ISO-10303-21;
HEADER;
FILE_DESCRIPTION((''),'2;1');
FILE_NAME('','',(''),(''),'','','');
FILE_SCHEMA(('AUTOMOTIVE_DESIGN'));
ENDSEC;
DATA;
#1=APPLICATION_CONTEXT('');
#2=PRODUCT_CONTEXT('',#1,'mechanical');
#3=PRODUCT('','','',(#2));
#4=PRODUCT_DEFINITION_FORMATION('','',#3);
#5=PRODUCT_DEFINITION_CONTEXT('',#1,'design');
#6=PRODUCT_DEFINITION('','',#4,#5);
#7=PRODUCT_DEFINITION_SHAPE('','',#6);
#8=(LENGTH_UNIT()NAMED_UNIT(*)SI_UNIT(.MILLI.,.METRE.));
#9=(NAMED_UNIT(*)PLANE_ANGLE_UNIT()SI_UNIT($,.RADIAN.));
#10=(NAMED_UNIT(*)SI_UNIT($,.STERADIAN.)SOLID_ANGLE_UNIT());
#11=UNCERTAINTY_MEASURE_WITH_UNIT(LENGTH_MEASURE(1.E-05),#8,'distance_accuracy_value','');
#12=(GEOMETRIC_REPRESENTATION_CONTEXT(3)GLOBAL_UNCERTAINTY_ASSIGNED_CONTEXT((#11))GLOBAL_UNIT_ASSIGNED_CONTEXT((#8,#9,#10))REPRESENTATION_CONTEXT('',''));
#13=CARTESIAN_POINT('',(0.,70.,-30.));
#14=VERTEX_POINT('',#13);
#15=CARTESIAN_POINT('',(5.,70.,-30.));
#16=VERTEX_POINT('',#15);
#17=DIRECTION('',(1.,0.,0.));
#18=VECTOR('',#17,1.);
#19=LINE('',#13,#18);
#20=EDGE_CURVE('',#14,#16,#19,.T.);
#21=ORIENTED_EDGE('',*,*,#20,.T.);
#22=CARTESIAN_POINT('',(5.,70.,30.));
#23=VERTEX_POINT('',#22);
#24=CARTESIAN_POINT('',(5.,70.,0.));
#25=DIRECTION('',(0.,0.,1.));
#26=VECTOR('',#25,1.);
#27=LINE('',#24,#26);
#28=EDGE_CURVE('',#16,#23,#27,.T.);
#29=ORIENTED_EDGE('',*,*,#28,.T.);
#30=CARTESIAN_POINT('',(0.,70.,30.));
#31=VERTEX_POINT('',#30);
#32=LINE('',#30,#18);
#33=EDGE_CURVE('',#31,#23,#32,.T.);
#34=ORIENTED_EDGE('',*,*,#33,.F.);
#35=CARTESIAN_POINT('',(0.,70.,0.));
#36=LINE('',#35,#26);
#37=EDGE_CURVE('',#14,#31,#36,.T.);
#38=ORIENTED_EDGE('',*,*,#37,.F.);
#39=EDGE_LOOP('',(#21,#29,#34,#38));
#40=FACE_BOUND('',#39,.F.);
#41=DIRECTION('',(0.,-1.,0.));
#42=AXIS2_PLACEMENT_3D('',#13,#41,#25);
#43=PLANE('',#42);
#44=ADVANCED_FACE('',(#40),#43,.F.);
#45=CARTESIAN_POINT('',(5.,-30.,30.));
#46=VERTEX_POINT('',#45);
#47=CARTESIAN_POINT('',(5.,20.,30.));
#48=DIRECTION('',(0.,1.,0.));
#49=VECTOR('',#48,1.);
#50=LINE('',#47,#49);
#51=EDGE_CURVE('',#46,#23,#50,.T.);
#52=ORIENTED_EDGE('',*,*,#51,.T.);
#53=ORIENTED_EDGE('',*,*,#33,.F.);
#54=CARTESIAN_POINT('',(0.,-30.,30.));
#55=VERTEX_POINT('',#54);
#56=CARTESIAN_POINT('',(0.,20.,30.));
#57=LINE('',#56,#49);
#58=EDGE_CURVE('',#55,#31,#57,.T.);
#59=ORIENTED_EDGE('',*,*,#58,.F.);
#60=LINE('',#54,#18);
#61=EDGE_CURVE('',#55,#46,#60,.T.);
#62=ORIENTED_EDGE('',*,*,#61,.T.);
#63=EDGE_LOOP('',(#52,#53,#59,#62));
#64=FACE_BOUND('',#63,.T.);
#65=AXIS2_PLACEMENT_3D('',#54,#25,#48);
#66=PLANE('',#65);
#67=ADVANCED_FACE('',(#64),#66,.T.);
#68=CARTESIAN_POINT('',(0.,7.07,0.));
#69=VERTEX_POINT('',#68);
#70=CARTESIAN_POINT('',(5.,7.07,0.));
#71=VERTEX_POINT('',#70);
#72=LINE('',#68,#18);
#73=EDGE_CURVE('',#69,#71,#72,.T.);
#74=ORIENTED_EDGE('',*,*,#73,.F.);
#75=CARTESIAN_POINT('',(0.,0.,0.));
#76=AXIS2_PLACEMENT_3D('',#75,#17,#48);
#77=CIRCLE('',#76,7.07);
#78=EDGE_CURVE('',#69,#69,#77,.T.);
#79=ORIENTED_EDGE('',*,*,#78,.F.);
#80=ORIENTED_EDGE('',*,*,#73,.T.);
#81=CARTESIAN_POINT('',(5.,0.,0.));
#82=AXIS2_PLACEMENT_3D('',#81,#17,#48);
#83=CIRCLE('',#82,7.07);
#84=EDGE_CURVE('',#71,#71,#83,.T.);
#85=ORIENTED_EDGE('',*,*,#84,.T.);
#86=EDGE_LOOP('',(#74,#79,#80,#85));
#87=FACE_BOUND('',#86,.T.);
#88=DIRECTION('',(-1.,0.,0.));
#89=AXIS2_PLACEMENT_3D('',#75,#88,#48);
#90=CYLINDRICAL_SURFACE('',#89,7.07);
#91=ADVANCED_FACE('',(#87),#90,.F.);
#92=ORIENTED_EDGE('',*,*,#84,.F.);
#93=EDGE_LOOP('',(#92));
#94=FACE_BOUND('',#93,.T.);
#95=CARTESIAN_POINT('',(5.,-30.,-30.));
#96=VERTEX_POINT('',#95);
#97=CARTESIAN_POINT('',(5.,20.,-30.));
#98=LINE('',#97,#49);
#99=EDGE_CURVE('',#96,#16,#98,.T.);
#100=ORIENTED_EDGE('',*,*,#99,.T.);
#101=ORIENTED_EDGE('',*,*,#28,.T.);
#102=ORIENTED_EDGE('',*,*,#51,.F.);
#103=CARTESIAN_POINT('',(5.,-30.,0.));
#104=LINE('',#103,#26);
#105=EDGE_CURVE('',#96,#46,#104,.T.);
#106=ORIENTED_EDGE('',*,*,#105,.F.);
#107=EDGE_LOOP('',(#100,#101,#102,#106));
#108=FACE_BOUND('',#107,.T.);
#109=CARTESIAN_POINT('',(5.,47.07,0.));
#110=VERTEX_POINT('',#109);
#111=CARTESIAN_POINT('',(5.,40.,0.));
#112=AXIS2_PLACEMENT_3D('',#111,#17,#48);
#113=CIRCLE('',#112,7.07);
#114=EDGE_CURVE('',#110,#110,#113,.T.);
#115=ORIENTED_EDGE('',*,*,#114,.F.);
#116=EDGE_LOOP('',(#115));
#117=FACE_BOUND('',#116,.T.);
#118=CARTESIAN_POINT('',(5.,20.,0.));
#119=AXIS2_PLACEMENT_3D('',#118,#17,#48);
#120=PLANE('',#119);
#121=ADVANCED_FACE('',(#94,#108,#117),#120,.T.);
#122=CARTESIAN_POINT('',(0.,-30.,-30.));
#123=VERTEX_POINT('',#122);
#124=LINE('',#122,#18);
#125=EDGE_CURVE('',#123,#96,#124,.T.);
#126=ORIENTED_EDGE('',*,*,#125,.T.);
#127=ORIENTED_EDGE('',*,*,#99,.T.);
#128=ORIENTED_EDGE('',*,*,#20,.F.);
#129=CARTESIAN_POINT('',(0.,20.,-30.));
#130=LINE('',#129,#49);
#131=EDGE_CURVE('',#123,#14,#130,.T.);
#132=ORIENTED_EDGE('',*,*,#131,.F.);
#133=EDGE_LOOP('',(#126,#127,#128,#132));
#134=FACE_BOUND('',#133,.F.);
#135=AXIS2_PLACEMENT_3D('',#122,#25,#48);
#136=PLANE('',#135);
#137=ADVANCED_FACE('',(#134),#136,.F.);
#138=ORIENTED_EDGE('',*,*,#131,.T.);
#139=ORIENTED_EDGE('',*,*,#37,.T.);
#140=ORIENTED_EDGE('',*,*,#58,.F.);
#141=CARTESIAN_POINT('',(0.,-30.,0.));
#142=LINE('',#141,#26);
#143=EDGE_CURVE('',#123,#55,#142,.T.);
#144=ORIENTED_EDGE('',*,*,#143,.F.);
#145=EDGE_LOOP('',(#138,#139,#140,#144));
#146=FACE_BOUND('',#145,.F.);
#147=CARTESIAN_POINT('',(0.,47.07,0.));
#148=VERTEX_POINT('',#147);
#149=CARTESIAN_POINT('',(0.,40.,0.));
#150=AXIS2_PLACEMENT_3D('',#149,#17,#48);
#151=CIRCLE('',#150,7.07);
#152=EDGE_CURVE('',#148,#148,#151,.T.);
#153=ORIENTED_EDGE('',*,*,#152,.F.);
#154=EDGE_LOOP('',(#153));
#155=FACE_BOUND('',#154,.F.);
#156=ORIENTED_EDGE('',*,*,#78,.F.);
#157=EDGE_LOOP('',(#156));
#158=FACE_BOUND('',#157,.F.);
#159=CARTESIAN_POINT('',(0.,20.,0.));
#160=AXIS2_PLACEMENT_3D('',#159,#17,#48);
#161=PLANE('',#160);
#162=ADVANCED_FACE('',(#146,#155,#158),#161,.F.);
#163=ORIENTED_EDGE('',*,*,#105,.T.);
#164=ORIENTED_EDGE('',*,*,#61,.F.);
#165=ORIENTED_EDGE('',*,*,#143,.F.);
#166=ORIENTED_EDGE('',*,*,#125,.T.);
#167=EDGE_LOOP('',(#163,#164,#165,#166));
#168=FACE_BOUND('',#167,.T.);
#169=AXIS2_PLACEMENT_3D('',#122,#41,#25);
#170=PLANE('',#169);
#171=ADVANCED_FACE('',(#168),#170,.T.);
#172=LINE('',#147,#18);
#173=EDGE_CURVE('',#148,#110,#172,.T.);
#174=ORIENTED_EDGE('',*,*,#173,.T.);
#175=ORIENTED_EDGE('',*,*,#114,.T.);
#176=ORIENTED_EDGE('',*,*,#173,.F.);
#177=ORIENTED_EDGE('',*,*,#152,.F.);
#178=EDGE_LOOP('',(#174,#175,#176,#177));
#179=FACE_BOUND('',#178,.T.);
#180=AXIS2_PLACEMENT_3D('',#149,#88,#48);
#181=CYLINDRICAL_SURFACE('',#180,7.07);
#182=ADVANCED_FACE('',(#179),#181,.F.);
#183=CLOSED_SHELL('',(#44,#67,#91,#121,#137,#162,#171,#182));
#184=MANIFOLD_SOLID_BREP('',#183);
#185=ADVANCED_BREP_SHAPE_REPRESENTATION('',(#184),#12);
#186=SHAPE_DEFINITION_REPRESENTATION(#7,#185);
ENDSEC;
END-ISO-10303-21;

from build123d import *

# Parameters (mm, degrees)
F0_W     = 100
F0_H     = 60
F0_R     = 7.07
F1_DEPTH = 5


with BuildPart() as f1:
    # F0 (on Right) → F1 (new body)
    with BuildSketch(Plane.YZ):
        with Locations((20, 0)):
            Rectangle(F0_W, F0_H)
        Circle(F0_R, mode=Mode.SUBTRACT)
        with Locations((40, 0)):
            Circle(F0_R, mode=Mode.SUBTRACT)
    extrude(amount=F1_DEPTH)


solid = f1.part
